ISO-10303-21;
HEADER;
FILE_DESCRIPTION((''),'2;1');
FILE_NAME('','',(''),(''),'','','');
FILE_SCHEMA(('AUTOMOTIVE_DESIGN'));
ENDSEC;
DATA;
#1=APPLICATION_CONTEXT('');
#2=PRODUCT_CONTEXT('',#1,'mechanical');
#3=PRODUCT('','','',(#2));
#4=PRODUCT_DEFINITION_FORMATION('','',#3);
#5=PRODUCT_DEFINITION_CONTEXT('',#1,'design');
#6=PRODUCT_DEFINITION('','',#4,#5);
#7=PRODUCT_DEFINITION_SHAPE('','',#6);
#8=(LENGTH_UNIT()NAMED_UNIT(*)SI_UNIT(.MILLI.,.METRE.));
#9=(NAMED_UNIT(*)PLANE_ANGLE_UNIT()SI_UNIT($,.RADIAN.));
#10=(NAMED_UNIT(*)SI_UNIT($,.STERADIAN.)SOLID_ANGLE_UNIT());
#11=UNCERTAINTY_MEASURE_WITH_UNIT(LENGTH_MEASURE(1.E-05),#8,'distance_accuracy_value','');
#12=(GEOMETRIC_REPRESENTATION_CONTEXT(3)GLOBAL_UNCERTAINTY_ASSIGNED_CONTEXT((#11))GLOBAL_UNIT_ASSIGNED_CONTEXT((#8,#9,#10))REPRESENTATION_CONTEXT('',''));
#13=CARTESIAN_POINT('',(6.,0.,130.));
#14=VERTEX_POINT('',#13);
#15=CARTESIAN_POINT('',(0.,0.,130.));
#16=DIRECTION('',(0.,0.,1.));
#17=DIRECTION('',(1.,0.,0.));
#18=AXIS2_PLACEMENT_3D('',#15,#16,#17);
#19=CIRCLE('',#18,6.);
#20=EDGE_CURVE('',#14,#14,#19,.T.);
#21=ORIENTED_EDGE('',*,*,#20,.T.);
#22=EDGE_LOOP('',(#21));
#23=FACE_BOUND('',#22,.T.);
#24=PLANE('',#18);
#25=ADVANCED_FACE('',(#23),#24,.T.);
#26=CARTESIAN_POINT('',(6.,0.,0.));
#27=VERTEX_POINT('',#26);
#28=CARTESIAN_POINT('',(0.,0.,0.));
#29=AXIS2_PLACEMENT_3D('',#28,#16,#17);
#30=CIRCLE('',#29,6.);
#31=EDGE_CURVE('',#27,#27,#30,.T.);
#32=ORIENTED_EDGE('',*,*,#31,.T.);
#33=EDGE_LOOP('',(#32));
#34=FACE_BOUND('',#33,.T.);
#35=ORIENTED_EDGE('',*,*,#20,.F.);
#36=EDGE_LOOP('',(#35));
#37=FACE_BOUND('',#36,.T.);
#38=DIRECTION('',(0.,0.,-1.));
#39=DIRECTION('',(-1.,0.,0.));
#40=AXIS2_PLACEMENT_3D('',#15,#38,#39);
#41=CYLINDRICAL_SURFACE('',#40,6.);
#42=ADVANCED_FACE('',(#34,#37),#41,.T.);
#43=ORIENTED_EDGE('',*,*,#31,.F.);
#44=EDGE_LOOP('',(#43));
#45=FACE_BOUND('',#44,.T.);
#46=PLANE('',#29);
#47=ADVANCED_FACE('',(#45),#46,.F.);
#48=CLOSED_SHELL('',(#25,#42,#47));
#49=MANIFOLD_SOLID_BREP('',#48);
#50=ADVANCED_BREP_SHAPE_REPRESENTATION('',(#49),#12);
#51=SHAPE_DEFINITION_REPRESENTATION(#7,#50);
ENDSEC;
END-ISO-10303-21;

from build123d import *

# Parameters (mm, degrees)
ESBO_O1_R                = 6
RESSALTO_EXTRUS_O1_DEPTH = 130


with BuildPart() as part:
    # Esboço1 → Ressalto-extrusão1 (new body)
    with BuildSketch(Plane.XY):
        Circle(ESBO_O1_R)
    extrude(amount=RESSALTO_EXTRUS_O1_DEPTH)


solid = part.part
